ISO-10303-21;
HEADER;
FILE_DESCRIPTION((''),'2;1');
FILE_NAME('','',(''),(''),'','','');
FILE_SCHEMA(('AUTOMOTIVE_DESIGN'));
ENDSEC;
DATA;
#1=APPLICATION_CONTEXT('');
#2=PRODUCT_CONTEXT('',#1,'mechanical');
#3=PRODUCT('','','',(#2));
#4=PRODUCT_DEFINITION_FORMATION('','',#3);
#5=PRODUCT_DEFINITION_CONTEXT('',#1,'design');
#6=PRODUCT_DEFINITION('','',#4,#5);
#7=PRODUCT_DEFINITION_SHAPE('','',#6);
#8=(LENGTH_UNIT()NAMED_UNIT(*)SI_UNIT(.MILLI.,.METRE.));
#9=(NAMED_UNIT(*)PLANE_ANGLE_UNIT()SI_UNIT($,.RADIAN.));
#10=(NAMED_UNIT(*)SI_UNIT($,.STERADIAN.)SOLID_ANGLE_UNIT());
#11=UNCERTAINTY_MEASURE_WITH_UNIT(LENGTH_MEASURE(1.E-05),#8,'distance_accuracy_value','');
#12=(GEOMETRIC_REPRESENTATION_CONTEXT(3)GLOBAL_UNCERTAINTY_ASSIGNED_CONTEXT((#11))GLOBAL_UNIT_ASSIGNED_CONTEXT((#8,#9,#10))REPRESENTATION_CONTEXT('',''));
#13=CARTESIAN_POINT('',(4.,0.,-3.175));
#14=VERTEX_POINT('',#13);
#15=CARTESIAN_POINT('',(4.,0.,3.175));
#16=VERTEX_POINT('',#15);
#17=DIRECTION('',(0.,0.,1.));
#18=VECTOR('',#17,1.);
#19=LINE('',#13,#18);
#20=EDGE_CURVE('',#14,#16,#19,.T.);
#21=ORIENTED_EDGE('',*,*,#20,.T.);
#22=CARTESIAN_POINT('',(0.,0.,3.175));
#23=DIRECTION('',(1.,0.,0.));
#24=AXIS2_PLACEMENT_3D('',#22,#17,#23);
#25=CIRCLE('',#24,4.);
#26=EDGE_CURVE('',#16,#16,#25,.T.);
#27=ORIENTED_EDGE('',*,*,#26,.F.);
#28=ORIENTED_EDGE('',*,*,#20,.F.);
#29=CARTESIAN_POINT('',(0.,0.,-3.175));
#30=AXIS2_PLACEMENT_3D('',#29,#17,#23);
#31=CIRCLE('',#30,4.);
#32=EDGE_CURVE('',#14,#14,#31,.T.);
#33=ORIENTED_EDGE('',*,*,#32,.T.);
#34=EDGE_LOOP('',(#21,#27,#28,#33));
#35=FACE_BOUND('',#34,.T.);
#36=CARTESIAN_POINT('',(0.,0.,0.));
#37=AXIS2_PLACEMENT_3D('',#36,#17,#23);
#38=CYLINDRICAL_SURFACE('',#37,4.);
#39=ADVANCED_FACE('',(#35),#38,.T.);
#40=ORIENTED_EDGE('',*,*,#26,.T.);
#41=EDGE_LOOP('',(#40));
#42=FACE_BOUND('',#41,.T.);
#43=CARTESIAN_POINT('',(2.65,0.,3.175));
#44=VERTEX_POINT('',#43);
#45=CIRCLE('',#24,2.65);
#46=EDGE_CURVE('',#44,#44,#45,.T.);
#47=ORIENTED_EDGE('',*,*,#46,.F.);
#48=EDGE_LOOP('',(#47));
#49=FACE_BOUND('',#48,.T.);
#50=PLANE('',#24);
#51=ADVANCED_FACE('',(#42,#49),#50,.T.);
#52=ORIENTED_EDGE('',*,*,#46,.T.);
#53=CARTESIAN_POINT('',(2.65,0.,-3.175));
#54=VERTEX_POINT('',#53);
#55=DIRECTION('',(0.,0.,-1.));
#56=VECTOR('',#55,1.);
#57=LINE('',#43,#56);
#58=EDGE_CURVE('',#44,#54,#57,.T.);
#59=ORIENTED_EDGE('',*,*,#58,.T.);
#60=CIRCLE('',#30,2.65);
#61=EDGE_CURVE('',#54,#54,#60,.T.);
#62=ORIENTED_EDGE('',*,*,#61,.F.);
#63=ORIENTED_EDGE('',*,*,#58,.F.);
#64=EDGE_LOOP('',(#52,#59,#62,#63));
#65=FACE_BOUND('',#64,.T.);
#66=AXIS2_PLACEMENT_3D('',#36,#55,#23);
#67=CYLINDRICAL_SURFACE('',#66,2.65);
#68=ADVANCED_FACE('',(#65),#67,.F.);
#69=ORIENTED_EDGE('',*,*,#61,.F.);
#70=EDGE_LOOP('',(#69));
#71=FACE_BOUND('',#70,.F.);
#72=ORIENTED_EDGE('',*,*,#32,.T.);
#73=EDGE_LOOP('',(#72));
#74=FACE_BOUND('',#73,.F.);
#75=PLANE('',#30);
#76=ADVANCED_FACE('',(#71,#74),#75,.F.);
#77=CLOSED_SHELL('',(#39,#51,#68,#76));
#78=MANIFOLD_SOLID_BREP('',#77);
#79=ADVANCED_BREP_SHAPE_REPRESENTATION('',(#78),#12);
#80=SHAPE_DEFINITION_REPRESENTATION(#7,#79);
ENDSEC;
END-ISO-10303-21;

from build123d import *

# Parameters (mm, degrees)
SKETCH1_R      = 4
SKETCH1_R_2    = 2.65
EXTRUDE1_DEPTH = 3.175


with BuildPart() as part:
    # Sketch1 → Extrude1 (new body, symmetric)
    with BuildSketch(Plane.XY):
        Circle(SKETCH1_R)
        Circle(SKETCH1_R_2, mode=Mode.SUBTRACT)
    extrude(amount=EXTRUDE1_DEPTH, both=True)


solid = part.part
